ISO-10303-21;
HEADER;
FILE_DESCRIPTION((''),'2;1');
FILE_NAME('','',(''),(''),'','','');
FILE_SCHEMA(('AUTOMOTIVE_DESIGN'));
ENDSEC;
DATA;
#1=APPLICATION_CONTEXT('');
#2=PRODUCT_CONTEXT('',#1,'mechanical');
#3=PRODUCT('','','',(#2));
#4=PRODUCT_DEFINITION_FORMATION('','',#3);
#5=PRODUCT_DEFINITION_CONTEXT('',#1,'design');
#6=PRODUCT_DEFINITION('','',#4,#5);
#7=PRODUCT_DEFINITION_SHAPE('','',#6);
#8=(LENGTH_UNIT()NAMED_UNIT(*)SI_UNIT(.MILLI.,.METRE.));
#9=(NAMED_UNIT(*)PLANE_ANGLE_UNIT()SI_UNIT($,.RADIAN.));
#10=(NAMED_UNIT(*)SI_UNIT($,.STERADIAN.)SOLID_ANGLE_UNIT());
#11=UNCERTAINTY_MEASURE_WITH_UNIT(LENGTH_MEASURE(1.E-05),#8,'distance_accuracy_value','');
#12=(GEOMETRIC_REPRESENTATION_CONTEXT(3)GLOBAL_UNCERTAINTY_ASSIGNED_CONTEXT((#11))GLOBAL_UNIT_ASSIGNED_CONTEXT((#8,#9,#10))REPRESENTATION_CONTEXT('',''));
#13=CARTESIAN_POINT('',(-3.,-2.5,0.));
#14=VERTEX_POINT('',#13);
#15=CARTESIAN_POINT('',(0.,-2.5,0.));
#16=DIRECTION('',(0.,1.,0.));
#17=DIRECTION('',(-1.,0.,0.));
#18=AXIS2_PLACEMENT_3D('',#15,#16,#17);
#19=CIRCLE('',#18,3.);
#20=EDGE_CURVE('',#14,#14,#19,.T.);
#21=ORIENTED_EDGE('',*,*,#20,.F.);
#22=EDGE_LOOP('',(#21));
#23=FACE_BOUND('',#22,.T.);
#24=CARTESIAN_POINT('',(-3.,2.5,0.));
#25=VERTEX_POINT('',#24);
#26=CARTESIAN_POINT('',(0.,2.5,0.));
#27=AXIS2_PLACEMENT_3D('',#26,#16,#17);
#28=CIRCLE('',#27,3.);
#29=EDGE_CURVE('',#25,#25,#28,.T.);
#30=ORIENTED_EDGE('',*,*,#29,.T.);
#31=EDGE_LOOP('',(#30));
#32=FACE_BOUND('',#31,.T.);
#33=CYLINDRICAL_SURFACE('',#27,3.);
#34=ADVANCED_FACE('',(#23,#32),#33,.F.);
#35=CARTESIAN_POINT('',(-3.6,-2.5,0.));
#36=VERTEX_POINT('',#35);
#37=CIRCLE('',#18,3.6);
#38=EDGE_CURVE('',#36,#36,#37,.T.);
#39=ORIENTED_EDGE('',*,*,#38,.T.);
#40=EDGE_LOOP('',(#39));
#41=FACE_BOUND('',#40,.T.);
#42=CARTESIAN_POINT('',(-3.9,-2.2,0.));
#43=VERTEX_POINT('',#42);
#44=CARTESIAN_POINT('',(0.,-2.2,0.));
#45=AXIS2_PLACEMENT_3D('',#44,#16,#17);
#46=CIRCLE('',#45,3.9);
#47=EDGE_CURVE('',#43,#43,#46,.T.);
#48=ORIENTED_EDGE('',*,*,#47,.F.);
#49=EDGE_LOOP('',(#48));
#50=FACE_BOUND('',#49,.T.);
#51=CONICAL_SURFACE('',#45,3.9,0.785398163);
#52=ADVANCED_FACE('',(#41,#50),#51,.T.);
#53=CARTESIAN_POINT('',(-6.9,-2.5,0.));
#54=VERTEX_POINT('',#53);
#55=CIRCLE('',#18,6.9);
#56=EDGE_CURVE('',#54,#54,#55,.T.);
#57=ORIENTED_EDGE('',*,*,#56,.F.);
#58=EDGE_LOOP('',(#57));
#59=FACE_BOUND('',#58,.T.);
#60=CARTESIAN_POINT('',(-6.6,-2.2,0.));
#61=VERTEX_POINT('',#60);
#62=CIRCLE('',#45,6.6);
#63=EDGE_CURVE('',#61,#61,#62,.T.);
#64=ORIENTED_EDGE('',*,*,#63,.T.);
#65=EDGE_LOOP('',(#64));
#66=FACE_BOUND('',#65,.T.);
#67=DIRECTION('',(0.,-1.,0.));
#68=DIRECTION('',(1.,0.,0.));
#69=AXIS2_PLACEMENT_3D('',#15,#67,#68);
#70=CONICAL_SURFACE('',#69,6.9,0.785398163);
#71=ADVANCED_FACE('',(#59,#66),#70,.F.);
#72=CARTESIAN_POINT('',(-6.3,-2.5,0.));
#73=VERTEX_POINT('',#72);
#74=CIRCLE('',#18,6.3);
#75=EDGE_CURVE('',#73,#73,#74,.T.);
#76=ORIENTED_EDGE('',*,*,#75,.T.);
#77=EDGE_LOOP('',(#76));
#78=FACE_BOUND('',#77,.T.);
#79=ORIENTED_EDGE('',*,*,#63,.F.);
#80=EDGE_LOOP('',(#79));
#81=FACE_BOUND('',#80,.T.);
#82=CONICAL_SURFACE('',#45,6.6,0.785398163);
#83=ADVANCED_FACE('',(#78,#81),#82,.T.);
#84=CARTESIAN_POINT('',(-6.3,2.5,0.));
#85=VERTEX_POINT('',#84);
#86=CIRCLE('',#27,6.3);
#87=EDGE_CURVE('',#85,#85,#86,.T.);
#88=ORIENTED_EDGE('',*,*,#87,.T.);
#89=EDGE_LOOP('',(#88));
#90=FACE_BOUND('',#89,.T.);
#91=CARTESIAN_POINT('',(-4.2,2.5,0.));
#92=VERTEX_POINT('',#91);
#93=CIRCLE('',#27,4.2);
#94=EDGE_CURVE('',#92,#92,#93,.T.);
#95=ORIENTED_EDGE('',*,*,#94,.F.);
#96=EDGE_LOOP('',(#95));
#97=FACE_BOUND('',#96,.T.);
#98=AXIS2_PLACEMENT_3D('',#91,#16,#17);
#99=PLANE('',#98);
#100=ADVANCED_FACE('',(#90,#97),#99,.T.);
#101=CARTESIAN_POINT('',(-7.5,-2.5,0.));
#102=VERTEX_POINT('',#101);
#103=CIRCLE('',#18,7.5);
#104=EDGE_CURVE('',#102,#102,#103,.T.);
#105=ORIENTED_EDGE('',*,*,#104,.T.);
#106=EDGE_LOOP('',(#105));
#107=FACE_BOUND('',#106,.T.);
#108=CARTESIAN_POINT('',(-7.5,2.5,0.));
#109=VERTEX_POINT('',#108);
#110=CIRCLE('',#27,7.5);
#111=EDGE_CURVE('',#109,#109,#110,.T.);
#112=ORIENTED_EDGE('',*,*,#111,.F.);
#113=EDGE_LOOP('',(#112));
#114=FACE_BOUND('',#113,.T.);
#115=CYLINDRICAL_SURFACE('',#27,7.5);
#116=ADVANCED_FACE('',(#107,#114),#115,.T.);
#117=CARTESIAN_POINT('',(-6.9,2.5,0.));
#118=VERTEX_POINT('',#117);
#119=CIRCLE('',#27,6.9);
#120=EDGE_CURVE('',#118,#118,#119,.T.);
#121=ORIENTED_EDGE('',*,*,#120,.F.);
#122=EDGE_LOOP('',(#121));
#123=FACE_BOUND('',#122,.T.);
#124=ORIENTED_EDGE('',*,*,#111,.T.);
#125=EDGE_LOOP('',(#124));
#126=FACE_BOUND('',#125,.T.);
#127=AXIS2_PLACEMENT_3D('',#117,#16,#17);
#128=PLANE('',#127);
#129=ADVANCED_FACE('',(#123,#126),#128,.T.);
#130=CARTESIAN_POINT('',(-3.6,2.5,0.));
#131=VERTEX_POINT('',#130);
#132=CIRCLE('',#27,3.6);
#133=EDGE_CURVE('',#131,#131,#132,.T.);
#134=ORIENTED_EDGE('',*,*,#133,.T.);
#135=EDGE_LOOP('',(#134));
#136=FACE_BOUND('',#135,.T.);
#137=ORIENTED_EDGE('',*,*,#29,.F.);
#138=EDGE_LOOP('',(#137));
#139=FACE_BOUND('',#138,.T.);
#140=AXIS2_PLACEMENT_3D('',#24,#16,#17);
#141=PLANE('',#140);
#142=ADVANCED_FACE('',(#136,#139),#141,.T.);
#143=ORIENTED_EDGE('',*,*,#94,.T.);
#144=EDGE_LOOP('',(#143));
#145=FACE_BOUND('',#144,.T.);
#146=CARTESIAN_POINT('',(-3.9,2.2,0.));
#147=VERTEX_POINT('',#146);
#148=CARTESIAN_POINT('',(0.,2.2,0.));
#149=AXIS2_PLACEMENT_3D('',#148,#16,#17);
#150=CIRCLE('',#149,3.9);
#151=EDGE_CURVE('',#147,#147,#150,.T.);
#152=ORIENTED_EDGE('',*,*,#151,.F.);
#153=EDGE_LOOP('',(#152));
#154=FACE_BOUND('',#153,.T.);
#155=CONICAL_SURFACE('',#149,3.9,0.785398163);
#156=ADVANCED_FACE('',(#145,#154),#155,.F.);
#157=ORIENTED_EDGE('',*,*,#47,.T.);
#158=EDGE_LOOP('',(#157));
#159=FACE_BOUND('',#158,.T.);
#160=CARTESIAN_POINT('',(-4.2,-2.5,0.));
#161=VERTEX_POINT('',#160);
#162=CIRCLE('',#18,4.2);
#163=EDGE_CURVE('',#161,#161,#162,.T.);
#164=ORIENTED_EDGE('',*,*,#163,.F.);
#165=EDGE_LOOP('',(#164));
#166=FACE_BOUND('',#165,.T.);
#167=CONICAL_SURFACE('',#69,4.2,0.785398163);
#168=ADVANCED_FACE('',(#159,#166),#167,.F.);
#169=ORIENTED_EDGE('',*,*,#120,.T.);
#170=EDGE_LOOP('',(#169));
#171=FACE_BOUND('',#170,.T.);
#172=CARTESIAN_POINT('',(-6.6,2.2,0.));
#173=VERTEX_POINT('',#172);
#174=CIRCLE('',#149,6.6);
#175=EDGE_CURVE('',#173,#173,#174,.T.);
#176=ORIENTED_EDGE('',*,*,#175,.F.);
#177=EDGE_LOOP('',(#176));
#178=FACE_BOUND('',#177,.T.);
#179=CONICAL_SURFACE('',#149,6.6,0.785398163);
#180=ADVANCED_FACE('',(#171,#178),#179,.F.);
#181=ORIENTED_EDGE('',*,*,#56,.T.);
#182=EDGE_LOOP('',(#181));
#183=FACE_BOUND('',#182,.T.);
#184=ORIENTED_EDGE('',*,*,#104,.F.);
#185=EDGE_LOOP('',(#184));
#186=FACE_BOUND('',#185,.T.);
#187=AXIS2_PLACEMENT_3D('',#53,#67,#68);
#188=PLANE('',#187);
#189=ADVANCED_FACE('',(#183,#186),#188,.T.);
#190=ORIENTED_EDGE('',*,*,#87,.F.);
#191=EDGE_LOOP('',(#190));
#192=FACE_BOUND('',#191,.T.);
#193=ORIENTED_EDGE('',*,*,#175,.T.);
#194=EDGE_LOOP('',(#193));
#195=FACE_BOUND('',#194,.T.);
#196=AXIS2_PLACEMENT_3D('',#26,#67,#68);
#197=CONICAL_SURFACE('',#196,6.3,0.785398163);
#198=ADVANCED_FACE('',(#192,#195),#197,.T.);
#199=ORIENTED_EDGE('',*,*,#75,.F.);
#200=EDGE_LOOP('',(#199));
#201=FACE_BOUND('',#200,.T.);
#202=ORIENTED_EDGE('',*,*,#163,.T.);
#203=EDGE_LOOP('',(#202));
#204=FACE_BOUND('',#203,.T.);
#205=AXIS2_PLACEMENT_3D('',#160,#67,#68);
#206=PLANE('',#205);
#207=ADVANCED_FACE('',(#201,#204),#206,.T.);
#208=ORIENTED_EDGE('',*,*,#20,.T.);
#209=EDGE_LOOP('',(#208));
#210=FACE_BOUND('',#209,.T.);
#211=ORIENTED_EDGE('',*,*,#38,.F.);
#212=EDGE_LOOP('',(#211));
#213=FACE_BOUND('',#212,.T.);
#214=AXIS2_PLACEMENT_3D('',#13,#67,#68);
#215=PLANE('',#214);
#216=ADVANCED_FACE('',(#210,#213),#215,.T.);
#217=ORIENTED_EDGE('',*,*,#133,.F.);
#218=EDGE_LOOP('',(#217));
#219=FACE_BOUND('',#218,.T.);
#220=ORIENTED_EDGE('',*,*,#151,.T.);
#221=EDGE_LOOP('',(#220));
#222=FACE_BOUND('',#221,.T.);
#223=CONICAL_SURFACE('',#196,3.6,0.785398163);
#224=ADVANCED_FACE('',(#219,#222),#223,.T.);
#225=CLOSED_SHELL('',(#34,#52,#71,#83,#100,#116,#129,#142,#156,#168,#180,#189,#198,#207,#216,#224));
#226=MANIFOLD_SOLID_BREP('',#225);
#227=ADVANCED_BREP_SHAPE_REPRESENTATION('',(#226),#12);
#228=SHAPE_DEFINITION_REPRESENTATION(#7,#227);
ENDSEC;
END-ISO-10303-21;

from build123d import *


with BuildPart() as part:
    # Sketch1 → Revolve1 (revolve)
    with BuildSketch(Plane.XY):
        Polygon((-3, 2.5), (-3.6, 2.5), (-3.9, 2.2), (-4.2, 2.5), (-6.3, 2.5), (-6.6, 2.2), (-6.9, 2.5), (-7.5, 2.5), (-7.5, -2.5), (-6.9, -2.5), (-6.6, -2.2), (-6.3, -2.5), (-4.2, -2.5), (-3.9, -2.2), (-3.6, -2.5), (-3, -2.5), align=None)
    revolve(axis=Axis((0, 2.5, 0), (0, -1, 0)))


solid = part.part
